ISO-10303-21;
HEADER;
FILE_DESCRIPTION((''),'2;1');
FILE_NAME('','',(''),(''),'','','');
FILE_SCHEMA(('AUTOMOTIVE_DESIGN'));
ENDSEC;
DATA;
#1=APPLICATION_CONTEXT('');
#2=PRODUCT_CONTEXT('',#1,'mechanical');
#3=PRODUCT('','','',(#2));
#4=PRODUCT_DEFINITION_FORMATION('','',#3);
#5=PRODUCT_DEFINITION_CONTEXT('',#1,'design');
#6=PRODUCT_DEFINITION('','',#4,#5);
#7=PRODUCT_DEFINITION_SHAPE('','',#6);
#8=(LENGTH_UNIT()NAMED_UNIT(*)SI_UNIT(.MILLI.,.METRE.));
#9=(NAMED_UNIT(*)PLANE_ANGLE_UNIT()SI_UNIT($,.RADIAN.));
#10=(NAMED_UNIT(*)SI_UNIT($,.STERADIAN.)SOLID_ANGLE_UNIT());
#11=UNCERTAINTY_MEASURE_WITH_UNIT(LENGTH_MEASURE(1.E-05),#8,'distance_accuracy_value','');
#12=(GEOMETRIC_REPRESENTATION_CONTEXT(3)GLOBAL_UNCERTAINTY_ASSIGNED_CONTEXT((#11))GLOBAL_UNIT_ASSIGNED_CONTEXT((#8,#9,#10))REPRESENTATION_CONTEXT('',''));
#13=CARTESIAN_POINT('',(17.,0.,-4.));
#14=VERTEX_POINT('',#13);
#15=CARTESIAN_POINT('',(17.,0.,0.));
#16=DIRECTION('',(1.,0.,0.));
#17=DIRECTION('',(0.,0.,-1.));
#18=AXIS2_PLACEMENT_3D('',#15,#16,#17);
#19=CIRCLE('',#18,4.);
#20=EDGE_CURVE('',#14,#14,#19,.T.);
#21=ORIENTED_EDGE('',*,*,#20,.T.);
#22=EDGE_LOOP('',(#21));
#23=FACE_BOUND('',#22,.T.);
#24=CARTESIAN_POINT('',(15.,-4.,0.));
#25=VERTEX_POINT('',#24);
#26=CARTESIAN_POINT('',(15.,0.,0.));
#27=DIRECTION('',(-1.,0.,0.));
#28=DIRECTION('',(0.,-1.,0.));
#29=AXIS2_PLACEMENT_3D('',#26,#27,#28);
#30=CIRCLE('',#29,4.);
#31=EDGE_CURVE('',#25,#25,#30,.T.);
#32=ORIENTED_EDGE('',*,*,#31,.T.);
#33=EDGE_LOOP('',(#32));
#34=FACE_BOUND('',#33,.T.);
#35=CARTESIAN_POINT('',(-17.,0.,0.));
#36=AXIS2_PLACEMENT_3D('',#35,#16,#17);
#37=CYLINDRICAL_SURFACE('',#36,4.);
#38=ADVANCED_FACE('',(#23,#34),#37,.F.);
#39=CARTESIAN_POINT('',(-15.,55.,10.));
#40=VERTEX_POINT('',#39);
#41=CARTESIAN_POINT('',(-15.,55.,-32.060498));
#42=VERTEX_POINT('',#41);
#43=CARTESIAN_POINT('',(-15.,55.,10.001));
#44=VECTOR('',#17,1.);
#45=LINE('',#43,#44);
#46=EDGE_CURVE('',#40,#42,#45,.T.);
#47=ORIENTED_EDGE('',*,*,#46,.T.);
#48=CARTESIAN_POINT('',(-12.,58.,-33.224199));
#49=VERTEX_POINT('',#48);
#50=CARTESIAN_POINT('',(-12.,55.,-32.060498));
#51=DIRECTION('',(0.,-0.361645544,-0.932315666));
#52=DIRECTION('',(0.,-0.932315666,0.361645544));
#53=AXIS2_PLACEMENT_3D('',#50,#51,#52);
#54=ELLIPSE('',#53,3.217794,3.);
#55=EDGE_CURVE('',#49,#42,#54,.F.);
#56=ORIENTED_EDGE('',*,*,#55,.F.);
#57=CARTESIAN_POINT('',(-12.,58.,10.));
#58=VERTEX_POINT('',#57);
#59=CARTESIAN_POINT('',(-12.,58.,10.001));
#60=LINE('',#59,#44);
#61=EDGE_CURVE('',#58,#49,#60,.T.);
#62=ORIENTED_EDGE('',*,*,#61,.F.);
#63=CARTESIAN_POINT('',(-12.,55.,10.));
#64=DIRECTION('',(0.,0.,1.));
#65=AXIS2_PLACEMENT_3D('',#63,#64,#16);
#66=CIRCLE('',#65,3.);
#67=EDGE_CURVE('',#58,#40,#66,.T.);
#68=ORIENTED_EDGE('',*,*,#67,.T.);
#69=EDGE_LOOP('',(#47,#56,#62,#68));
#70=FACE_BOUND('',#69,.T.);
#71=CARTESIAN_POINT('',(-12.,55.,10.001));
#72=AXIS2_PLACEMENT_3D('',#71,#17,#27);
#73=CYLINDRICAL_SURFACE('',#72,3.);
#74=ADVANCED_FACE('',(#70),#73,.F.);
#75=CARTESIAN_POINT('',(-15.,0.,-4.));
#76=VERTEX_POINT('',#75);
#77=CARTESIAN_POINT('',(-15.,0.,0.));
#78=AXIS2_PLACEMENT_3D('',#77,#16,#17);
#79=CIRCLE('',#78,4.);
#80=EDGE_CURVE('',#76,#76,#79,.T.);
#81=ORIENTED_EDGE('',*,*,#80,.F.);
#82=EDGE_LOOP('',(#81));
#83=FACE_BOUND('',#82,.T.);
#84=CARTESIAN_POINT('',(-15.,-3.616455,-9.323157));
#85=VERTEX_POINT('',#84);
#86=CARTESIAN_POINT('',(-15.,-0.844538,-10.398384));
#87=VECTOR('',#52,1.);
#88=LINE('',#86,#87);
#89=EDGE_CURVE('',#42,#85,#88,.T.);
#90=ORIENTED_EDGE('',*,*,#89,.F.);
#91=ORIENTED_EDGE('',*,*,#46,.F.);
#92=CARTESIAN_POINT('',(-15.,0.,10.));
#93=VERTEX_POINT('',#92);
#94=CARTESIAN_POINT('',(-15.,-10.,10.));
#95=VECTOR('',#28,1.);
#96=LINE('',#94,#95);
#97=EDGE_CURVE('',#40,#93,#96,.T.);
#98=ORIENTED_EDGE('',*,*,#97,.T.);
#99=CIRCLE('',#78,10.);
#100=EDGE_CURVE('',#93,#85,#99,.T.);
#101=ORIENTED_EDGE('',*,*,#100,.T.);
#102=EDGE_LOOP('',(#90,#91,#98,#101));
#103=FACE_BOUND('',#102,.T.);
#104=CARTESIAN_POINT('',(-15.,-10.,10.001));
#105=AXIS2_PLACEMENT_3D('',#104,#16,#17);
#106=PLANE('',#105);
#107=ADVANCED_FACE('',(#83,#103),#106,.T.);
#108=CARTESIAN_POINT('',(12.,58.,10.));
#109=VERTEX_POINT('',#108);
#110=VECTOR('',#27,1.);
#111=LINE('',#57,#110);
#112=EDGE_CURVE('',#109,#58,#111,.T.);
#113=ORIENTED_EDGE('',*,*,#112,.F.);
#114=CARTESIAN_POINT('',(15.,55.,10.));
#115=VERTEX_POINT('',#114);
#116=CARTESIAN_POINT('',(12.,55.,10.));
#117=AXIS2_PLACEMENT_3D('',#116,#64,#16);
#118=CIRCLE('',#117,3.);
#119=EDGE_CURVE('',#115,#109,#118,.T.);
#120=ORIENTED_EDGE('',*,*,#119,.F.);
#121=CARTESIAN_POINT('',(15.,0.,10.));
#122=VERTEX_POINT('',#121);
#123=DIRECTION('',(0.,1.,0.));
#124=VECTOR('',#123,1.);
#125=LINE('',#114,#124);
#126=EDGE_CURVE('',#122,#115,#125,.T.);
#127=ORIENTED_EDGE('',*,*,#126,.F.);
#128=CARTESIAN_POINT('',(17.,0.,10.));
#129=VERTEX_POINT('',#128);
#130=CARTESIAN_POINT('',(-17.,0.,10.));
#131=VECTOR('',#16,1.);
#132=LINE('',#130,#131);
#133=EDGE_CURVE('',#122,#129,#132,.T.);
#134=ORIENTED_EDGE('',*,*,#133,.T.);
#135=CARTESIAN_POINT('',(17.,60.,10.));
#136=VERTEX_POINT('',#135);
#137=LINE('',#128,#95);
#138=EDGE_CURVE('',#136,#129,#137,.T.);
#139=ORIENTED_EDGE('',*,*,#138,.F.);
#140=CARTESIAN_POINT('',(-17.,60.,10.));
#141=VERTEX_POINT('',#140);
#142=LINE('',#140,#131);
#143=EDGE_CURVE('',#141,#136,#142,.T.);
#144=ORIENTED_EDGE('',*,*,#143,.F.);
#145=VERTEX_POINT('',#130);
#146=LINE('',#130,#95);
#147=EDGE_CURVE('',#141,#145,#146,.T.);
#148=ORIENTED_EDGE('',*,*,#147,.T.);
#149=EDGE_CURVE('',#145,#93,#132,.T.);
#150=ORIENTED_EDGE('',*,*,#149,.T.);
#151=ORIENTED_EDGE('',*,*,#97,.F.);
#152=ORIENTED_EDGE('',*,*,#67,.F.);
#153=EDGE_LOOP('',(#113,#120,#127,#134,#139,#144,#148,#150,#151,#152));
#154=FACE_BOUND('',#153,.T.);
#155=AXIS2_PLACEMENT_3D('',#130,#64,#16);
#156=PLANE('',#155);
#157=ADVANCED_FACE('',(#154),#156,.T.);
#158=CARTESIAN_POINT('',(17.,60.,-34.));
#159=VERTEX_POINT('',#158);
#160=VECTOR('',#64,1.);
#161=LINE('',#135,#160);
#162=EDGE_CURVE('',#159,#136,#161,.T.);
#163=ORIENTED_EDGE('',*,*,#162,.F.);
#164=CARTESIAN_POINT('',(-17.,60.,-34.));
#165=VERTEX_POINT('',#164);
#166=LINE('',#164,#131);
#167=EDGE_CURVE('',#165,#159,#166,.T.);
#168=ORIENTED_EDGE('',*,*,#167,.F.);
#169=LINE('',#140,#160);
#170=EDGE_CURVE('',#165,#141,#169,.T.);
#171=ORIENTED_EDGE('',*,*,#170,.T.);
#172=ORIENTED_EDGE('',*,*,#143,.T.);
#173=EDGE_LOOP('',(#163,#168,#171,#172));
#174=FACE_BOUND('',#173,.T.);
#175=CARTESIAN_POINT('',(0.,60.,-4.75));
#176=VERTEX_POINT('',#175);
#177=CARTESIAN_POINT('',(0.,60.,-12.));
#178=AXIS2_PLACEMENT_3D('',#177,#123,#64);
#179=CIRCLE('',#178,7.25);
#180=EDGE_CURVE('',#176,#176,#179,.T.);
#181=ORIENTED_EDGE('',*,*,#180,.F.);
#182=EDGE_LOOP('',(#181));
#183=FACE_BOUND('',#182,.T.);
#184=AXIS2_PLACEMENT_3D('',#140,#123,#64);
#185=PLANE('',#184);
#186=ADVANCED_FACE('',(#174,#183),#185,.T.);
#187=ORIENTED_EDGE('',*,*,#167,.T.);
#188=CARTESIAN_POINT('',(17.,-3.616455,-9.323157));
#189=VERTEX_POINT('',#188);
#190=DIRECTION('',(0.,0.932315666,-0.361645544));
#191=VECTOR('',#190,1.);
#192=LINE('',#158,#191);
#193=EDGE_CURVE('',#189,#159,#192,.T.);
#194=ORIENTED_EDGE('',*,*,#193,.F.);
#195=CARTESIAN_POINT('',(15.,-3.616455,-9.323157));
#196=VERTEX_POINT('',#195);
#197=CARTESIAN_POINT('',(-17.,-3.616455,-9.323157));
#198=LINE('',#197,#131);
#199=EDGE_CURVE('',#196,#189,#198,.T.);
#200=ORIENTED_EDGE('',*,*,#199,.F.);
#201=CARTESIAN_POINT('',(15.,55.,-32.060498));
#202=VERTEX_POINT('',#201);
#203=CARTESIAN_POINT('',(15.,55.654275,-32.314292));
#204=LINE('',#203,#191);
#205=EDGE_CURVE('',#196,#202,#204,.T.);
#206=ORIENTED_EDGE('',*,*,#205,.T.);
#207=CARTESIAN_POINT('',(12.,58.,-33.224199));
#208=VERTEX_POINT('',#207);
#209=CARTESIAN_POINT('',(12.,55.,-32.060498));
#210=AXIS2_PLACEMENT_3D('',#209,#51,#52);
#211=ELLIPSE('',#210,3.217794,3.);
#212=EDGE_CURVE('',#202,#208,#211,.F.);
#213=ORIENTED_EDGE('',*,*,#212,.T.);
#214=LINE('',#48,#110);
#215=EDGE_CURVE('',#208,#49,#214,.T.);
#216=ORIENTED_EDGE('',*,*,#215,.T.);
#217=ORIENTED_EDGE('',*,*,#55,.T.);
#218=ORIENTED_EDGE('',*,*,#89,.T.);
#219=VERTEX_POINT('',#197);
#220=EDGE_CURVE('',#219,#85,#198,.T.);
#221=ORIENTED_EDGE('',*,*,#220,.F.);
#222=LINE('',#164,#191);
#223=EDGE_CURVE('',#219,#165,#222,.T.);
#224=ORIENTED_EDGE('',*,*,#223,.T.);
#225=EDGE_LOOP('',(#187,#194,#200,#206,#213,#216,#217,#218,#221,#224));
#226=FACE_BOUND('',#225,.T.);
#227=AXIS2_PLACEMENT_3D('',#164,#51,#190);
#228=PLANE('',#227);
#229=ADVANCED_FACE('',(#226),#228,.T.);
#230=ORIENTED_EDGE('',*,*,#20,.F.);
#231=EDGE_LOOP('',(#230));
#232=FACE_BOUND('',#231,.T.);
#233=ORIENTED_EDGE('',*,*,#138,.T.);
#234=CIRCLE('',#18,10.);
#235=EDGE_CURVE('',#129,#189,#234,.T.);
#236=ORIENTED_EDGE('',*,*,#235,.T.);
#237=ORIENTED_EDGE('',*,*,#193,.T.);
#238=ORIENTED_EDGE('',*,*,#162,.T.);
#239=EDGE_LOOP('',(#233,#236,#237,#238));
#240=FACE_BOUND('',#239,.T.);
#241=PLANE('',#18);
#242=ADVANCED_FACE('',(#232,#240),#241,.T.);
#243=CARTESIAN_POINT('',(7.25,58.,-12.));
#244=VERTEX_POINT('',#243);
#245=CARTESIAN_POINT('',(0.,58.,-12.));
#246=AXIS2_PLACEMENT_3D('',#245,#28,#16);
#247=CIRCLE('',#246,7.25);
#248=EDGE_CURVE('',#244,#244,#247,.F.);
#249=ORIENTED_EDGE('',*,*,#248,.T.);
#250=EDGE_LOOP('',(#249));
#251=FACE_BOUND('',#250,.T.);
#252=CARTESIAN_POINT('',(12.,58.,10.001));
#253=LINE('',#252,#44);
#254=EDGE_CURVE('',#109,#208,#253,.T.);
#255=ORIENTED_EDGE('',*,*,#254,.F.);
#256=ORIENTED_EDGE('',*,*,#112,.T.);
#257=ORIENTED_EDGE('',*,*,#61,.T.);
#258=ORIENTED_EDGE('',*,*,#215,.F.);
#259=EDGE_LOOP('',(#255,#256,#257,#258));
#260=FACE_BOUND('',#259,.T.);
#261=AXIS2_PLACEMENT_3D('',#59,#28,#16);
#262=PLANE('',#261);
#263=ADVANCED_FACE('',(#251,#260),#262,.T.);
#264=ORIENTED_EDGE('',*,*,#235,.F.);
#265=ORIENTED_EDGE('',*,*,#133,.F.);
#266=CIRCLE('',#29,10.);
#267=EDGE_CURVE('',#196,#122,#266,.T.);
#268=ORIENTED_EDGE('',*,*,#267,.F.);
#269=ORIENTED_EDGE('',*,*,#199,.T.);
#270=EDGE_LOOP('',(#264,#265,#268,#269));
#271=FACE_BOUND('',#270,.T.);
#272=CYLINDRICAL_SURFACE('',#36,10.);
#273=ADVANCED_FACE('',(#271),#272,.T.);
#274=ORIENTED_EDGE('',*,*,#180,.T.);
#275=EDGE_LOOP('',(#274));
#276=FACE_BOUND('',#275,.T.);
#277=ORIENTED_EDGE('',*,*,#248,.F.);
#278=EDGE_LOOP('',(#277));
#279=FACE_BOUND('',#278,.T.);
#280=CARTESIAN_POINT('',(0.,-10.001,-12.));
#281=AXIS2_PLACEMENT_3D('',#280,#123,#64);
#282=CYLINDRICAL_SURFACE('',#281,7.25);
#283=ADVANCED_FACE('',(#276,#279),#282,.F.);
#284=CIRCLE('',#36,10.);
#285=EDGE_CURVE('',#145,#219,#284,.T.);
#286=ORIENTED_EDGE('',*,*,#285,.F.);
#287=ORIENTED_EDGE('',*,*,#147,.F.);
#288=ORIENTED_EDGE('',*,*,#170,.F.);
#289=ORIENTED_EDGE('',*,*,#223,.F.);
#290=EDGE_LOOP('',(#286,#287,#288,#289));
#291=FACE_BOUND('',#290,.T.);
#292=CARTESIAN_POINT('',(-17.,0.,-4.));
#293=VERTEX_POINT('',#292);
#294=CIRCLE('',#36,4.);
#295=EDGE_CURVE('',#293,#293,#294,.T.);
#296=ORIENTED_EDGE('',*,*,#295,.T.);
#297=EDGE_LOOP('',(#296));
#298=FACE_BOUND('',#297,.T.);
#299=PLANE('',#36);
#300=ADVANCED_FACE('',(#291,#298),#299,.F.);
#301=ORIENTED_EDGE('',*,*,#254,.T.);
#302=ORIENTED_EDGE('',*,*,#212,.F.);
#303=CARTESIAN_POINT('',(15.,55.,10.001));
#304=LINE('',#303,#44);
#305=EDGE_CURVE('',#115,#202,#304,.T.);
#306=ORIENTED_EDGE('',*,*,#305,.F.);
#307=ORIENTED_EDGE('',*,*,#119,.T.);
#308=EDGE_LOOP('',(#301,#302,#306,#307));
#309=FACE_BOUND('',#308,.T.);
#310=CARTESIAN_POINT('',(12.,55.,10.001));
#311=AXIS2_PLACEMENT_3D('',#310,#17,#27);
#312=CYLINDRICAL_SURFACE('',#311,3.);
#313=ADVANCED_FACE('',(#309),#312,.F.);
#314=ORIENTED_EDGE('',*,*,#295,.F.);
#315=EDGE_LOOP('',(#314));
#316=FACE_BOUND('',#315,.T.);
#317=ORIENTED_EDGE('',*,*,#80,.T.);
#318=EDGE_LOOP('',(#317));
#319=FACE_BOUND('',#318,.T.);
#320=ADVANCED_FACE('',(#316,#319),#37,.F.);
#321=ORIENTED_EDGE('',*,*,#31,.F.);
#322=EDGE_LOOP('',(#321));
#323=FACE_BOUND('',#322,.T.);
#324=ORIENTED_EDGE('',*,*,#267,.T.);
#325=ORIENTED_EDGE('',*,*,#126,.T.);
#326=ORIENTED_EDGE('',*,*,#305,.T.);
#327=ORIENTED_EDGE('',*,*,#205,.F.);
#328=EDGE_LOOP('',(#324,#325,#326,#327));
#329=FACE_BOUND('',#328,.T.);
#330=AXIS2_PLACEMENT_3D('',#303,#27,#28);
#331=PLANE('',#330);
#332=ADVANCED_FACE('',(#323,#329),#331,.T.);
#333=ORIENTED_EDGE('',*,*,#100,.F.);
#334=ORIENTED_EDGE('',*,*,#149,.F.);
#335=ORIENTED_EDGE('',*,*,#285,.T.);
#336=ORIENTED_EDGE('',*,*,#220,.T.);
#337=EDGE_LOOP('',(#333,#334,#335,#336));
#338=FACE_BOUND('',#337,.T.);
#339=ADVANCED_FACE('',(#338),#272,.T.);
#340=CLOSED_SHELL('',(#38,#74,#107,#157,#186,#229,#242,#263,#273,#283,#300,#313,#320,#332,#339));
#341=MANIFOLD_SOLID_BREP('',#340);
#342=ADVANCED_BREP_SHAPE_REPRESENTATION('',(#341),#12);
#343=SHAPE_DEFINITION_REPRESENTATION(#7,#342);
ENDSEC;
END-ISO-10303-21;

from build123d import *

# Parameters (mm, degrees)
CROQUIS1_R                        = 4
SALIENTE_EXTRUIR1_DEPTH           = 34
CORTAR_EXTRUIR1_REACH             = 36
CORTAR_EXTRUIR1_DIRECTION_2_REACH = 12
CORTAR_EXTRUIR2_REACH             = 72
CROQUIS4_R                        = 7.25


with BuildPart() as part:
    # Croquis1 → Saliente-Extruir1 (new body)
    with BuildSketch(Plane(origin=(17, 0, 0), x_dir=(0, 0, -1), z_dir=(1, 0, 0))):
        with BuildLine():
            Line((-10, 0), (-10, 60))
            Line((-10, 60), (34, 60))
            Line((34, 60), (9.323156657, -3.616455439))
            ThreePointArc((9.323156657, -3.616455439), (-1.839624069, -9.8293328), (-10, 0))
        make_face()
        Circle(CROQUIS1_R, mode=Mode.SUBTRACT)
    extrude(amount=-SALIENTE_EXTRUIR1_DEPTH)

    # Croquis3 → Cortar-Extruir1 (cut, up to next)
    with BuildSketch(Plane.XY, mode=Mode.PRIVATE) as cortar_extruir1_sk1:
        with BuildLine():
            Line((-15, -10), (15, -10))
            Line((15, -10), (15, 55))
            ThreePointArc((15, 55), (14.121320344, 57.121320344), (12, 58))
            Line((12, 58), (-12, 58))
            ThreePointArc((-12, 58), (-14.121320344, 57.121320344), (-15, 55))
            Line((-15, 55), (-15, -10))
        make_face()
    cortar_extruir1_tool1 = extrude(cortar_extruir1_sk1.sketch, amount=-CORTAR_EXTRUIR1_REACH, mode=Mode.PRIVATE) & part.part
    add(cortar_extruir1_tool1.solids().sort_by_distance((0, 23.936769, 0))[0], mode=Mode.SUBTRACT)

    # Croquis3 → Cortar-Extruir1 direction 2 (cut, up to next)
    with BuildSketch(Plane.XY, mode=Mode.PRIVATE) as cortar_extruir1_direction_2_sk1:
        with BuildLine():
            Line((-15, -10), (15, -10))
            Line((15, -10), (15, 55))
            ThreePointArc((15, 55), (14.121320344, 57.121320344), (12, 58))
            Line((12, 58), (-12, 58))
            ThreePointArc((-12, 58), (-14.121320344, 57.121320344), (-15, 55))
            Line((-15, 55), (-15, -10))
        make_face()
    cortar_extruir1_direction_2_tool1 = extrude(cortar_extruir1_direction_2_sk1.sketch, amount=CORTAR_EXTRUIR1_DIRECTION_2_REACH, mode=Mode.PRIVATE) & part.part
    add(cortar_extruir1_direction_2_tool1.solids().sort_by_distance((0, 23.936769, 0))[0], mode=Mode.SUBTRACT)

    # Croquis4 → Cortar-Extruir2 (cut, up to next)
    with BuildSketch(Plane(origin=(0, 60, 0), x_dir=(1, 0, 0), z_dir=(0, 1, 0)), mode=Mode.PRIVATE) as cortar_extruir2_sk1:
        with Locations((0, 12)):
            Circle(CROQUIS4_R)
    cortar_extruir2_tool1 = extrude(cortar_extruir2_sk1.sketch, amount=-CORTAR_EXTRUIR2_REACH, mode=Mode.PRIVATE) & part.part
    add(cortar_extruir2_tool1.solids().sort_by_distance((0, 60, -12))[0], mode=Mode.SUBTRACT)


solid = part.part
